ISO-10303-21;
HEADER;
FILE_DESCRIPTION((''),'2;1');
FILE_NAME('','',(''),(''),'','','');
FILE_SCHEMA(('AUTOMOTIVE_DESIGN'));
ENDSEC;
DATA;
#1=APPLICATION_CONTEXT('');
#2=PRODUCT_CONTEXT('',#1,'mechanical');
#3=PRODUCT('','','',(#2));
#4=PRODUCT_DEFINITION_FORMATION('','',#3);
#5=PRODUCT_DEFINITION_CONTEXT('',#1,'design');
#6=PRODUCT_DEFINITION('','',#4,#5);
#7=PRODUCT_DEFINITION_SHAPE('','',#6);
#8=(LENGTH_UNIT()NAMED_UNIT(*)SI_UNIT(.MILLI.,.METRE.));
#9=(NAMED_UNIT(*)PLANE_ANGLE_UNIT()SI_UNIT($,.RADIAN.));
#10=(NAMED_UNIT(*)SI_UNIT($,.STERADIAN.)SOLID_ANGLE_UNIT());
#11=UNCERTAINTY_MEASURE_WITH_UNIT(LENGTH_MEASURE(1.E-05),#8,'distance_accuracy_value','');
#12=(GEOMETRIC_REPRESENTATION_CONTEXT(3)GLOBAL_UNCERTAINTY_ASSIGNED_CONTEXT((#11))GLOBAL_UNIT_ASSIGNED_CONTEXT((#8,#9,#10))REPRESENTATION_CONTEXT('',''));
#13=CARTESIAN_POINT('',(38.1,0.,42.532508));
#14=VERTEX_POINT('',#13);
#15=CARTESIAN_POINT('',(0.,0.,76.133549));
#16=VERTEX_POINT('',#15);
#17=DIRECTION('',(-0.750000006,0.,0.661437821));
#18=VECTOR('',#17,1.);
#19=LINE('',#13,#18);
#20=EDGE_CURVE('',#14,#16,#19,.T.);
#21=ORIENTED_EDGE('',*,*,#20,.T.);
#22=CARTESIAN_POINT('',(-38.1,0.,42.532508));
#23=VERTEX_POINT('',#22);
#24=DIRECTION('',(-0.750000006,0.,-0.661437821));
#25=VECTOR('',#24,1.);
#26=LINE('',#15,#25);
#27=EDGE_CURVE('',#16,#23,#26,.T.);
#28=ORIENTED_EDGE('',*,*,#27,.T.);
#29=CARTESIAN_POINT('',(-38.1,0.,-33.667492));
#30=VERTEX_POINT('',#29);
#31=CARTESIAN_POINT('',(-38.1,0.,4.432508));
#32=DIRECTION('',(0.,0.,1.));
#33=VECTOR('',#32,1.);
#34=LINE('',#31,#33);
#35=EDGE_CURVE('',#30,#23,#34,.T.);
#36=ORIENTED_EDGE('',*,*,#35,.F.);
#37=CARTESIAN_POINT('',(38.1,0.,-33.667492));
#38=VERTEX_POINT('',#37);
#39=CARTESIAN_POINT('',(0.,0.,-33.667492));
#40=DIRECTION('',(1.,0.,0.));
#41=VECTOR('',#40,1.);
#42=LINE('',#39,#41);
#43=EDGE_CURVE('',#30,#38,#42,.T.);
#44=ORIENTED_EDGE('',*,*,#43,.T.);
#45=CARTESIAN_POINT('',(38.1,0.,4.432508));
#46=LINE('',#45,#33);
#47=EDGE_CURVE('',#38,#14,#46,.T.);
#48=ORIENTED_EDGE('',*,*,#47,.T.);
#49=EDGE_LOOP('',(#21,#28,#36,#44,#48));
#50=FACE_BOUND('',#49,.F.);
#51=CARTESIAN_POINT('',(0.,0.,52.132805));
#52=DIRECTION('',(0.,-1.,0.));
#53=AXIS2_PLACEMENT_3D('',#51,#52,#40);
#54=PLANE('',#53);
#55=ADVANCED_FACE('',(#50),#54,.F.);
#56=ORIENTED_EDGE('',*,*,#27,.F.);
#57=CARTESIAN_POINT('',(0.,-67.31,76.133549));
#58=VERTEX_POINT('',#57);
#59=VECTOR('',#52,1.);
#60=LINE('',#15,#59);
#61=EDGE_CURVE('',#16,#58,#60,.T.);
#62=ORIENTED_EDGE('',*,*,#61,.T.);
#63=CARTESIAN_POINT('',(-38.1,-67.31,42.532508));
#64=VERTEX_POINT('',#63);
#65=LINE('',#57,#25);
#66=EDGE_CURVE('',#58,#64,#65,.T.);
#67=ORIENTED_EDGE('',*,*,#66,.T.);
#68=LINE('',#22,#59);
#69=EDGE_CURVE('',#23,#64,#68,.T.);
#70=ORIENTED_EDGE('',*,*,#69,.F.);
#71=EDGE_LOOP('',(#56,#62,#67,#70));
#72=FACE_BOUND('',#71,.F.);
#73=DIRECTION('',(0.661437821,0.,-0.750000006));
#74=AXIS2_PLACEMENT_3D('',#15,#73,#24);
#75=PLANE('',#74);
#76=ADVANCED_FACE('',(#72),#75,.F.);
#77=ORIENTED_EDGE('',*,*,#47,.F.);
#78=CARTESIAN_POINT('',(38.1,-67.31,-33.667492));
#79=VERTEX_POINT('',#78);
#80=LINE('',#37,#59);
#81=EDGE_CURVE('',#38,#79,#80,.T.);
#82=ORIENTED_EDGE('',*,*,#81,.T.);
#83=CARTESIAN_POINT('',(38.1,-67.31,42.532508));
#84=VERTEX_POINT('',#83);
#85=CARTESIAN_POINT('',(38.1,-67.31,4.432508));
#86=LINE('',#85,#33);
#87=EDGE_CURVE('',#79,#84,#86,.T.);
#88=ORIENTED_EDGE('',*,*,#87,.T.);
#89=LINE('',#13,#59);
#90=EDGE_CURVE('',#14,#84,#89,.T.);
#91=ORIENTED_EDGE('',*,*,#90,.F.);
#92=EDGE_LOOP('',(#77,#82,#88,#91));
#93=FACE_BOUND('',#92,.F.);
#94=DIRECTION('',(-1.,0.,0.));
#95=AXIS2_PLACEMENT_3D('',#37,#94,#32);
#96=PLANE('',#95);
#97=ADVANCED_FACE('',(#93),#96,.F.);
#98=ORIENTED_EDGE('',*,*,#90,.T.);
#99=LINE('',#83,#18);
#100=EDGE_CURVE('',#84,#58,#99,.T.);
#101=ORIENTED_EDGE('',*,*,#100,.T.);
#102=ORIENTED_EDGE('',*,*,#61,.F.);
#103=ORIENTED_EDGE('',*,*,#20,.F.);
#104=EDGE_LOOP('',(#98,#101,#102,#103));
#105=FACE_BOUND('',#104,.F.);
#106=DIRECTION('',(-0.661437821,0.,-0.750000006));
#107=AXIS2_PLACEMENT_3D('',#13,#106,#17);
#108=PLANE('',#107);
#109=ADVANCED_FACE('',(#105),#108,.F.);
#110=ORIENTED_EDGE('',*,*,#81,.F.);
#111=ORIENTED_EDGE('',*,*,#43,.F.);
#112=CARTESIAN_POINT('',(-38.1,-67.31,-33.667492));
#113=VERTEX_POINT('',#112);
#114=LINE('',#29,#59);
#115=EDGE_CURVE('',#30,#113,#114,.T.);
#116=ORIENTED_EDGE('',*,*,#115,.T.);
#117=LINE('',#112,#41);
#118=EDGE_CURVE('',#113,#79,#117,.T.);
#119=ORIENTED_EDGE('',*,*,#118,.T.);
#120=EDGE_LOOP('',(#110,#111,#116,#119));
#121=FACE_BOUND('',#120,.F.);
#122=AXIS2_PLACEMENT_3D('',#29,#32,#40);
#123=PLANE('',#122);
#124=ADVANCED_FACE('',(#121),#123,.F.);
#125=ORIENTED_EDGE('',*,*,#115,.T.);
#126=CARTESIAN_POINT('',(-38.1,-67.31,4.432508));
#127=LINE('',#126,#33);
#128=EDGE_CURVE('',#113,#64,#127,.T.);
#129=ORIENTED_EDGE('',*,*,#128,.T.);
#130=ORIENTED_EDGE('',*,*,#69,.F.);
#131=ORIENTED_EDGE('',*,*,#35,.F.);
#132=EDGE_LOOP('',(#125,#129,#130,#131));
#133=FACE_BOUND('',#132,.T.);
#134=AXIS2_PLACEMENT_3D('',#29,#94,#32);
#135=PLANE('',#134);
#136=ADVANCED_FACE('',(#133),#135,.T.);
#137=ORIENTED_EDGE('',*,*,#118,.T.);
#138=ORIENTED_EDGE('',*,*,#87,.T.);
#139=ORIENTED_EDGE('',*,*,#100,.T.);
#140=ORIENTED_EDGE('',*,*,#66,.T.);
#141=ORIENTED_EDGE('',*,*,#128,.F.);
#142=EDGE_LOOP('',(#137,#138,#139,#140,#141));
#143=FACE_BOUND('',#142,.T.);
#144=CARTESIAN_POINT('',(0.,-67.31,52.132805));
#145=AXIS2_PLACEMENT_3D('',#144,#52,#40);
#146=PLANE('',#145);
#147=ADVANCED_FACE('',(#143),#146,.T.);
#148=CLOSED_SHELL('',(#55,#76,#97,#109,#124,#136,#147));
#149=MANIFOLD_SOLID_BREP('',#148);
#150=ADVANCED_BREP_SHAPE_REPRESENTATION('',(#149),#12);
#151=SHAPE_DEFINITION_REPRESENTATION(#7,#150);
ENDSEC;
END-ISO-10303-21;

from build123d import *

# Parameters (mm, degrees)
F0_W     = 76.2
F0_H     = 76.2
F1_DEPTH = 67.31
F2_W     = 12.7
F2_H     = 25.4
F3_DEPTH = 10.922


with BuildPart() as f1:
    # F0 (on Front) → F1 (new body)
    with BuildSketch(Plane.XZ):
        Polygon((0, 76.133549), (-38.1, 42.532508), (38.1, 42.532508), align=None)
        with Locations((0, 4.432508)):
            Rectangle(F0_W, F0_H)
    extrude(amount=F1_DEPTH)

    # F2 (on face) → F3 (join)
    with BuildSketch(Plane.XZ.offset(67.31)):
        with Locations((0, -20.967492)):
            Rectangle(F2_W, F2_H)
    extrude(amount=-F3_DEPTH)


solid = f1.part
